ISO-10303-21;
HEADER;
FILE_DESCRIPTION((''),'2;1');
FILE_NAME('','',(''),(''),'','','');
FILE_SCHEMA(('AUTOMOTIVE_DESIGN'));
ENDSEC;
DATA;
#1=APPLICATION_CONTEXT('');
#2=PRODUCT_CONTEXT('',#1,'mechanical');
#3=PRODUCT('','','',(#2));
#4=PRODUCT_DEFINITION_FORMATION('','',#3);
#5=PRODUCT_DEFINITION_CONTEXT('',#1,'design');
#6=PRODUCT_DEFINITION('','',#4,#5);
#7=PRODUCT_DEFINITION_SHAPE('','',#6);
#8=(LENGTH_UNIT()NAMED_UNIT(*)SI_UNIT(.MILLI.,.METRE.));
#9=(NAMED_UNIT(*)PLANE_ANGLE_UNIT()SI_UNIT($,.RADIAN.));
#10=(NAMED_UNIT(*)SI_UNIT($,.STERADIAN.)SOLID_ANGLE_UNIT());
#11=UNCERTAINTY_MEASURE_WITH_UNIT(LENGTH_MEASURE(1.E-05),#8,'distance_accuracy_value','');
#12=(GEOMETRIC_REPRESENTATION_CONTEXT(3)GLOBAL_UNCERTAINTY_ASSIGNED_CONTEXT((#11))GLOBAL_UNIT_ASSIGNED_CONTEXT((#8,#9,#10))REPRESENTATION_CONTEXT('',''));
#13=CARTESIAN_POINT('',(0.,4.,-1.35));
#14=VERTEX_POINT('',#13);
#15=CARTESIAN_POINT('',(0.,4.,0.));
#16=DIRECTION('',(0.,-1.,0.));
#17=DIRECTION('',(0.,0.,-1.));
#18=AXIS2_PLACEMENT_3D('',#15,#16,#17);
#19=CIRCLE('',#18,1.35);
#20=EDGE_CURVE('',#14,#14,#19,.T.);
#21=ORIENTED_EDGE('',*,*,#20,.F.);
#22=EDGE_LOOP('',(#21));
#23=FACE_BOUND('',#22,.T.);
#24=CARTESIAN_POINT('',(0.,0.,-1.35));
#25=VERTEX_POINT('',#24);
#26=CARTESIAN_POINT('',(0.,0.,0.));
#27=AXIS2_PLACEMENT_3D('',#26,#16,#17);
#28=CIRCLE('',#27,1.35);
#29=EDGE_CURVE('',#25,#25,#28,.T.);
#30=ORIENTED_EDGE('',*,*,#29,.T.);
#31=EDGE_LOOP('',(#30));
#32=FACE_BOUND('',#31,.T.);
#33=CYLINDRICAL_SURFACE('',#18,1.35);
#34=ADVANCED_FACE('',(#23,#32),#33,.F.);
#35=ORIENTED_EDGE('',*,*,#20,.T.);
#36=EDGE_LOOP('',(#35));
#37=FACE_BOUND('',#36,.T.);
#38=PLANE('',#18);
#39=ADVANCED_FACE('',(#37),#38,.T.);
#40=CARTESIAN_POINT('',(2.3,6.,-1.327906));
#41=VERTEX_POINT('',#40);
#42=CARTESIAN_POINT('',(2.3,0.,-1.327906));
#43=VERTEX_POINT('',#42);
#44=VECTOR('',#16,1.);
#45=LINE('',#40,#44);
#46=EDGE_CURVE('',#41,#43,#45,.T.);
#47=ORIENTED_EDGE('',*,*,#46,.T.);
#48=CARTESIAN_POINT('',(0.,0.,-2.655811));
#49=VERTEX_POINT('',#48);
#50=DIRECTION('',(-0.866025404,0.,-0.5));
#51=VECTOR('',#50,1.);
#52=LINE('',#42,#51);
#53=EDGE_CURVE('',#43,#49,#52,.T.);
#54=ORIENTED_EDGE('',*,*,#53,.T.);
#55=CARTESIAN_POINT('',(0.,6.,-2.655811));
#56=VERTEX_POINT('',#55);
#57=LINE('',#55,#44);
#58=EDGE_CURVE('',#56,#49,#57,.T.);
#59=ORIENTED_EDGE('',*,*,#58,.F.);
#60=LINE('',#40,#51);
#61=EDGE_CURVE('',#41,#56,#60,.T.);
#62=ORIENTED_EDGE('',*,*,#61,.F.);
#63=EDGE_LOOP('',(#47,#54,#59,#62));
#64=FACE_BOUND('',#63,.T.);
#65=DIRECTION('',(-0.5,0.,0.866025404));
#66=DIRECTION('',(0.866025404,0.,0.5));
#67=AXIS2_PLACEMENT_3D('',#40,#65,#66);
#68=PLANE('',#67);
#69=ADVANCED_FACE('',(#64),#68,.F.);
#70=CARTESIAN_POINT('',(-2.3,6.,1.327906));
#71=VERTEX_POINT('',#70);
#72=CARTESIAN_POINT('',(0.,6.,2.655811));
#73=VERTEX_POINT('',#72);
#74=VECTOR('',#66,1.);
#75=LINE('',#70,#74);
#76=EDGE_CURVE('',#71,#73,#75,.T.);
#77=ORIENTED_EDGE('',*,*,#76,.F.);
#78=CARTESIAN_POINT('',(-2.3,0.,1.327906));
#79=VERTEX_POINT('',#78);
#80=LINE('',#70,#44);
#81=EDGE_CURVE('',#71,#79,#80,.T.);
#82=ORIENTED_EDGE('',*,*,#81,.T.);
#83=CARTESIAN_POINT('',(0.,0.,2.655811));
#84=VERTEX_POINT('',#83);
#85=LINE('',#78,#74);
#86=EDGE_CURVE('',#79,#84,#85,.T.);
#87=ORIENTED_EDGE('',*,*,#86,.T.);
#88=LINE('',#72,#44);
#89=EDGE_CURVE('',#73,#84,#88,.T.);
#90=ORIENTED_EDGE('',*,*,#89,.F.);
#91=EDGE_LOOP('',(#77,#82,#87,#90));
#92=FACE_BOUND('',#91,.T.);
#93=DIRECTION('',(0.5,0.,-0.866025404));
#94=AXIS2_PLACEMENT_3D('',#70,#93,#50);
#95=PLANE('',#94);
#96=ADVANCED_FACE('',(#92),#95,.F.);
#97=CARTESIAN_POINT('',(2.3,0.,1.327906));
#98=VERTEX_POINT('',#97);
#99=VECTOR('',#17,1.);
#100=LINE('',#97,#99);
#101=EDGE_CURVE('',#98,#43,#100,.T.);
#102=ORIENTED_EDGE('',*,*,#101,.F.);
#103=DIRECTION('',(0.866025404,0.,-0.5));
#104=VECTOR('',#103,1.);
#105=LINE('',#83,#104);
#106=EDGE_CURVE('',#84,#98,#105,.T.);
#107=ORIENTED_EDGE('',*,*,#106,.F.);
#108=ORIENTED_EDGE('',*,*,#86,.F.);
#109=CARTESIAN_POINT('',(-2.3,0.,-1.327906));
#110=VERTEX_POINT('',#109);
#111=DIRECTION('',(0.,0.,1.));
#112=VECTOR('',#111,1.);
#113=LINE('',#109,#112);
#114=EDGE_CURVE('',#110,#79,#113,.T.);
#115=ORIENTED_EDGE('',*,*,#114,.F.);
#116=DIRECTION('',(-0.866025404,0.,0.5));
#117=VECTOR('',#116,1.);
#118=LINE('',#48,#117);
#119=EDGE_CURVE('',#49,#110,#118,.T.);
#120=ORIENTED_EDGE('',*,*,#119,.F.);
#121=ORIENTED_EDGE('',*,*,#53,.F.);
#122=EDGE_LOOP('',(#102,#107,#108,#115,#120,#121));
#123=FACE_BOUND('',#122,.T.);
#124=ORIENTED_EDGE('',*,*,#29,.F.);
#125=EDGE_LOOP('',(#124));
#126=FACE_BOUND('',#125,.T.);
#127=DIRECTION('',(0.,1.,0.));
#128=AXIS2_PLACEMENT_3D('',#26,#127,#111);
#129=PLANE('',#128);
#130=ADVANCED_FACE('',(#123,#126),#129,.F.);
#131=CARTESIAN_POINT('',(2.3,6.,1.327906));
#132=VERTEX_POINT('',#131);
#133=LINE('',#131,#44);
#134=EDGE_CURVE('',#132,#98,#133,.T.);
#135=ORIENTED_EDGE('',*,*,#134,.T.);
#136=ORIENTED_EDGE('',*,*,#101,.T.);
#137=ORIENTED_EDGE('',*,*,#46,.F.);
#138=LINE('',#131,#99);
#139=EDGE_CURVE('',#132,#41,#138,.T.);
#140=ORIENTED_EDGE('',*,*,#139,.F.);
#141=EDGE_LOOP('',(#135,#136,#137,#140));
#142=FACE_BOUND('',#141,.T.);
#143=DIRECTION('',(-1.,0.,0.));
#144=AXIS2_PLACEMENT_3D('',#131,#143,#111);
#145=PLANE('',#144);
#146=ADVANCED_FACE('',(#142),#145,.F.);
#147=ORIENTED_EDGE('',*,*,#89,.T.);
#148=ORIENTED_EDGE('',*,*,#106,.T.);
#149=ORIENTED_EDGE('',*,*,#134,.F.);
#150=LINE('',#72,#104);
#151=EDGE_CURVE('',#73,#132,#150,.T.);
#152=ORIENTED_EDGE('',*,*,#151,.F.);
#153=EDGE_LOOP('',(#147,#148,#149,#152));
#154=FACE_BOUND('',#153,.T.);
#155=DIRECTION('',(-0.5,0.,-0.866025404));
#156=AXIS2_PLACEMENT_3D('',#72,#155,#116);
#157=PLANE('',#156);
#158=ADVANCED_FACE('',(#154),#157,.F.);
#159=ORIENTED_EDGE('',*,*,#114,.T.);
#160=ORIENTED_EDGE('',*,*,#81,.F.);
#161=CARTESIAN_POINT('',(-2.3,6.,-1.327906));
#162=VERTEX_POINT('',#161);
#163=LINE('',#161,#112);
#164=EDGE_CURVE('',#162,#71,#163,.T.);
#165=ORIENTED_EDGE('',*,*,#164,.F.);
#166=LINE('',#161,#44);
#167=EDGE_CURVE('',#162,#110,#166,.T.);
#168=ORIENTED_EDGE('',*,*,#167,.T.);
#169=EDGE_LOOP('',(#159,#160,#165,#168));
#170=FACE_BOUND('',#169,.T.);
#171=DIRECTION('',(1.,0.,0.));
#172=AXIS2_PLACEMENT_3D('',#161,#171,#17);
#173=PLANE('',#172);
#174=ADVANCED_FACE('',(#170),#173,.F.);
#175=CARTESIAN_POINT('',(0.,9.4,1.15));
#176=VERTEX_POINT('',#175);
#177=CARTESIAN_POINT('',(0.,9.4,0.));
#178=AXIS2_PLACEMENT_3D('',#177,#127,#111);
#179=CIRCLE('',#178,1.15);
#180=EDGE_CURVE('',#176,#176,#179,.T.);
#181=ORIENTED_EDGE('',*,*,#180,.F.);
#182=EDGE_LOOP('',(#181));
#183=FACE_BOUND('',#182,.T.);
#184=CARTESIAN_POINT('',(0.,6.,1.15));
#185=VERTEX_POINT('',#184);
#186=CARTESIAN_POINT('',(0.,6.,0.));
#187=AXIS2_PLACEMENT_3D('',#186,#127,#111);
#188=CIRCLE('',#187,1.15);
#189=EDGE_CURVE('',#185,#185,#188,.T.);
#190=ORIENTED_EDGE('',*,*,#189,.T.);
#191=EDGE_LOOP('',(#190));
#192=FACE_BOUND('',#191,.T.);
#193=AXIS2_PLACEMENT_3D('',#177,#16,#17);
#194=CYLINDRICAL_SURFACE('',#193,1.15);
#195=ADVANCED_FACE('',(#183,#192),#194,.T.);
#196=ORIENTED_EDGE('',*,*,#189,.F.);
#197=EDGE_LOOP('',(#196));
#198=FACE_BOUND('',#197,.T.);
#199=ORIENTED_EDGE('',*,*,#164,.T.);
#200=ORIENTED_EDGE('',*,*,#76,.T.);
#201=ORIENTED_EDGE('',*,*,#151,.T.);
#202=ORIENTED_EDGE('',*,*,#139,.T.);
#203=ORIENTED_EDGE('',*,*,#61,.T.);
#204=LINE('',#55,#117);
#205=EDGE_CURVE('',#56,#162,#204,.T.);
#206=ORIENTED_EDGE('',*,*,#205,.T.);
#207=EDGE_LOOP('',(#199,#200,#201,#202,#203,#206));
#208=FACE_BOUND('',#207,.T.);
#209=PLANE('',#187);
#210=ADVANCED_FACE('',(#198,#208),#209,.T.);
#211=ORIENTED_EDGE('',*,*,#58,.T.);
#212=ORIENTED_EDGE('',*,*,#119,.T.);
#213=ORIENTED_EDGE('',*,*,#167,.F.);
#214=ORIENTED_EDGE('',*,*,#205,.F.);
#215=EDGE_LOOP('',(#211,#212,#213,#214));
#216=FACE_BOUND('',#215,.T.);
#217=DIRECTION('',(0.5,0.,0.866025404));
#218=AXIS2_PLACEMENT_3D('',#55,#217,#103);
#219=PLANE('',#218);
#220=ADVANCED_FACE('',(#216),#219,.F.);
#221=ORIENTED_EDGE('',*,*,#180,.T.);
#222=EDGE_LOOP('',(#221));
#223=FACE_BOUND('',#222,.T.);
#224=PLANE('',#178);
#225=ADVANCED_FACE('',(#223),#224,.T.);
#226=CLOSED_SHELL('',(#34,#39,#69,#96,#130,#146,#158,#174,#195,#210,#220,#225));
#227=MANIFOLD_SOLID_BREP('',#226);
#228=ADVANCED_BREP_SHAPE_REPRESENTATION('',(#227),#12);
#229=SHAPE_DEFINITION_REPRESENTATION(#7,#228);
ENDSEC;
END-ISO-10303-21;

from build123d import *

# Parameters (mm, degrees)
EXTRUDE_1_DEPTH     = 6
SKETCH_2_R          = 1.15
EXTRUDE_2_DEPTH     = 3.4
SKETCH_3_R          = 1.35
CUT_EXTRUDE_1_DEPTH = 4


with BuildPart() as part:
    # Эскиз1 → Бобышка-Вытянуть1 (new body)
    with BuildSketch(Plane(origin=(0, 0, 0), x_dir=(1, 0, 0), z_dir=(0, 1, 0))):
        Polygon((0, 2.655811238), (-2.3, 1.327905619), (-2.3, -1.327905619), (0, -2.655811238), (2.3, -1.327905619), (2.3, 1.327905619), align=None)
    extrude(amount=EXTRUDE_1_DEPTH)

    # Эскиз2 → Бобышка-Вытянуть2 (add)
    with BuildSketch(Plane(origin=(0, 6, 0), x_dir=(1, 0, 0), z_dir=(0, 1, 0))):
        with Locations(Location((0, 0, 0), (0, 0, 270))):
            Circle(SKETCH_2_R)
    extrude(amount=EXTRUDE_2_DEPTH)

    # Эскиз3 → Вырез-Вытянуть1 (cut)
    with BuildSketch(Plane.XZ):
        with Locations(Location((0, 0, 0), (0, 0, 270))):
            Circle(SKETCH_3_R)
    extrude(amount=-CUT_EXTRUDE_1_DEPTH, mode=Mode.SUBTRACT)


solid = part.part
